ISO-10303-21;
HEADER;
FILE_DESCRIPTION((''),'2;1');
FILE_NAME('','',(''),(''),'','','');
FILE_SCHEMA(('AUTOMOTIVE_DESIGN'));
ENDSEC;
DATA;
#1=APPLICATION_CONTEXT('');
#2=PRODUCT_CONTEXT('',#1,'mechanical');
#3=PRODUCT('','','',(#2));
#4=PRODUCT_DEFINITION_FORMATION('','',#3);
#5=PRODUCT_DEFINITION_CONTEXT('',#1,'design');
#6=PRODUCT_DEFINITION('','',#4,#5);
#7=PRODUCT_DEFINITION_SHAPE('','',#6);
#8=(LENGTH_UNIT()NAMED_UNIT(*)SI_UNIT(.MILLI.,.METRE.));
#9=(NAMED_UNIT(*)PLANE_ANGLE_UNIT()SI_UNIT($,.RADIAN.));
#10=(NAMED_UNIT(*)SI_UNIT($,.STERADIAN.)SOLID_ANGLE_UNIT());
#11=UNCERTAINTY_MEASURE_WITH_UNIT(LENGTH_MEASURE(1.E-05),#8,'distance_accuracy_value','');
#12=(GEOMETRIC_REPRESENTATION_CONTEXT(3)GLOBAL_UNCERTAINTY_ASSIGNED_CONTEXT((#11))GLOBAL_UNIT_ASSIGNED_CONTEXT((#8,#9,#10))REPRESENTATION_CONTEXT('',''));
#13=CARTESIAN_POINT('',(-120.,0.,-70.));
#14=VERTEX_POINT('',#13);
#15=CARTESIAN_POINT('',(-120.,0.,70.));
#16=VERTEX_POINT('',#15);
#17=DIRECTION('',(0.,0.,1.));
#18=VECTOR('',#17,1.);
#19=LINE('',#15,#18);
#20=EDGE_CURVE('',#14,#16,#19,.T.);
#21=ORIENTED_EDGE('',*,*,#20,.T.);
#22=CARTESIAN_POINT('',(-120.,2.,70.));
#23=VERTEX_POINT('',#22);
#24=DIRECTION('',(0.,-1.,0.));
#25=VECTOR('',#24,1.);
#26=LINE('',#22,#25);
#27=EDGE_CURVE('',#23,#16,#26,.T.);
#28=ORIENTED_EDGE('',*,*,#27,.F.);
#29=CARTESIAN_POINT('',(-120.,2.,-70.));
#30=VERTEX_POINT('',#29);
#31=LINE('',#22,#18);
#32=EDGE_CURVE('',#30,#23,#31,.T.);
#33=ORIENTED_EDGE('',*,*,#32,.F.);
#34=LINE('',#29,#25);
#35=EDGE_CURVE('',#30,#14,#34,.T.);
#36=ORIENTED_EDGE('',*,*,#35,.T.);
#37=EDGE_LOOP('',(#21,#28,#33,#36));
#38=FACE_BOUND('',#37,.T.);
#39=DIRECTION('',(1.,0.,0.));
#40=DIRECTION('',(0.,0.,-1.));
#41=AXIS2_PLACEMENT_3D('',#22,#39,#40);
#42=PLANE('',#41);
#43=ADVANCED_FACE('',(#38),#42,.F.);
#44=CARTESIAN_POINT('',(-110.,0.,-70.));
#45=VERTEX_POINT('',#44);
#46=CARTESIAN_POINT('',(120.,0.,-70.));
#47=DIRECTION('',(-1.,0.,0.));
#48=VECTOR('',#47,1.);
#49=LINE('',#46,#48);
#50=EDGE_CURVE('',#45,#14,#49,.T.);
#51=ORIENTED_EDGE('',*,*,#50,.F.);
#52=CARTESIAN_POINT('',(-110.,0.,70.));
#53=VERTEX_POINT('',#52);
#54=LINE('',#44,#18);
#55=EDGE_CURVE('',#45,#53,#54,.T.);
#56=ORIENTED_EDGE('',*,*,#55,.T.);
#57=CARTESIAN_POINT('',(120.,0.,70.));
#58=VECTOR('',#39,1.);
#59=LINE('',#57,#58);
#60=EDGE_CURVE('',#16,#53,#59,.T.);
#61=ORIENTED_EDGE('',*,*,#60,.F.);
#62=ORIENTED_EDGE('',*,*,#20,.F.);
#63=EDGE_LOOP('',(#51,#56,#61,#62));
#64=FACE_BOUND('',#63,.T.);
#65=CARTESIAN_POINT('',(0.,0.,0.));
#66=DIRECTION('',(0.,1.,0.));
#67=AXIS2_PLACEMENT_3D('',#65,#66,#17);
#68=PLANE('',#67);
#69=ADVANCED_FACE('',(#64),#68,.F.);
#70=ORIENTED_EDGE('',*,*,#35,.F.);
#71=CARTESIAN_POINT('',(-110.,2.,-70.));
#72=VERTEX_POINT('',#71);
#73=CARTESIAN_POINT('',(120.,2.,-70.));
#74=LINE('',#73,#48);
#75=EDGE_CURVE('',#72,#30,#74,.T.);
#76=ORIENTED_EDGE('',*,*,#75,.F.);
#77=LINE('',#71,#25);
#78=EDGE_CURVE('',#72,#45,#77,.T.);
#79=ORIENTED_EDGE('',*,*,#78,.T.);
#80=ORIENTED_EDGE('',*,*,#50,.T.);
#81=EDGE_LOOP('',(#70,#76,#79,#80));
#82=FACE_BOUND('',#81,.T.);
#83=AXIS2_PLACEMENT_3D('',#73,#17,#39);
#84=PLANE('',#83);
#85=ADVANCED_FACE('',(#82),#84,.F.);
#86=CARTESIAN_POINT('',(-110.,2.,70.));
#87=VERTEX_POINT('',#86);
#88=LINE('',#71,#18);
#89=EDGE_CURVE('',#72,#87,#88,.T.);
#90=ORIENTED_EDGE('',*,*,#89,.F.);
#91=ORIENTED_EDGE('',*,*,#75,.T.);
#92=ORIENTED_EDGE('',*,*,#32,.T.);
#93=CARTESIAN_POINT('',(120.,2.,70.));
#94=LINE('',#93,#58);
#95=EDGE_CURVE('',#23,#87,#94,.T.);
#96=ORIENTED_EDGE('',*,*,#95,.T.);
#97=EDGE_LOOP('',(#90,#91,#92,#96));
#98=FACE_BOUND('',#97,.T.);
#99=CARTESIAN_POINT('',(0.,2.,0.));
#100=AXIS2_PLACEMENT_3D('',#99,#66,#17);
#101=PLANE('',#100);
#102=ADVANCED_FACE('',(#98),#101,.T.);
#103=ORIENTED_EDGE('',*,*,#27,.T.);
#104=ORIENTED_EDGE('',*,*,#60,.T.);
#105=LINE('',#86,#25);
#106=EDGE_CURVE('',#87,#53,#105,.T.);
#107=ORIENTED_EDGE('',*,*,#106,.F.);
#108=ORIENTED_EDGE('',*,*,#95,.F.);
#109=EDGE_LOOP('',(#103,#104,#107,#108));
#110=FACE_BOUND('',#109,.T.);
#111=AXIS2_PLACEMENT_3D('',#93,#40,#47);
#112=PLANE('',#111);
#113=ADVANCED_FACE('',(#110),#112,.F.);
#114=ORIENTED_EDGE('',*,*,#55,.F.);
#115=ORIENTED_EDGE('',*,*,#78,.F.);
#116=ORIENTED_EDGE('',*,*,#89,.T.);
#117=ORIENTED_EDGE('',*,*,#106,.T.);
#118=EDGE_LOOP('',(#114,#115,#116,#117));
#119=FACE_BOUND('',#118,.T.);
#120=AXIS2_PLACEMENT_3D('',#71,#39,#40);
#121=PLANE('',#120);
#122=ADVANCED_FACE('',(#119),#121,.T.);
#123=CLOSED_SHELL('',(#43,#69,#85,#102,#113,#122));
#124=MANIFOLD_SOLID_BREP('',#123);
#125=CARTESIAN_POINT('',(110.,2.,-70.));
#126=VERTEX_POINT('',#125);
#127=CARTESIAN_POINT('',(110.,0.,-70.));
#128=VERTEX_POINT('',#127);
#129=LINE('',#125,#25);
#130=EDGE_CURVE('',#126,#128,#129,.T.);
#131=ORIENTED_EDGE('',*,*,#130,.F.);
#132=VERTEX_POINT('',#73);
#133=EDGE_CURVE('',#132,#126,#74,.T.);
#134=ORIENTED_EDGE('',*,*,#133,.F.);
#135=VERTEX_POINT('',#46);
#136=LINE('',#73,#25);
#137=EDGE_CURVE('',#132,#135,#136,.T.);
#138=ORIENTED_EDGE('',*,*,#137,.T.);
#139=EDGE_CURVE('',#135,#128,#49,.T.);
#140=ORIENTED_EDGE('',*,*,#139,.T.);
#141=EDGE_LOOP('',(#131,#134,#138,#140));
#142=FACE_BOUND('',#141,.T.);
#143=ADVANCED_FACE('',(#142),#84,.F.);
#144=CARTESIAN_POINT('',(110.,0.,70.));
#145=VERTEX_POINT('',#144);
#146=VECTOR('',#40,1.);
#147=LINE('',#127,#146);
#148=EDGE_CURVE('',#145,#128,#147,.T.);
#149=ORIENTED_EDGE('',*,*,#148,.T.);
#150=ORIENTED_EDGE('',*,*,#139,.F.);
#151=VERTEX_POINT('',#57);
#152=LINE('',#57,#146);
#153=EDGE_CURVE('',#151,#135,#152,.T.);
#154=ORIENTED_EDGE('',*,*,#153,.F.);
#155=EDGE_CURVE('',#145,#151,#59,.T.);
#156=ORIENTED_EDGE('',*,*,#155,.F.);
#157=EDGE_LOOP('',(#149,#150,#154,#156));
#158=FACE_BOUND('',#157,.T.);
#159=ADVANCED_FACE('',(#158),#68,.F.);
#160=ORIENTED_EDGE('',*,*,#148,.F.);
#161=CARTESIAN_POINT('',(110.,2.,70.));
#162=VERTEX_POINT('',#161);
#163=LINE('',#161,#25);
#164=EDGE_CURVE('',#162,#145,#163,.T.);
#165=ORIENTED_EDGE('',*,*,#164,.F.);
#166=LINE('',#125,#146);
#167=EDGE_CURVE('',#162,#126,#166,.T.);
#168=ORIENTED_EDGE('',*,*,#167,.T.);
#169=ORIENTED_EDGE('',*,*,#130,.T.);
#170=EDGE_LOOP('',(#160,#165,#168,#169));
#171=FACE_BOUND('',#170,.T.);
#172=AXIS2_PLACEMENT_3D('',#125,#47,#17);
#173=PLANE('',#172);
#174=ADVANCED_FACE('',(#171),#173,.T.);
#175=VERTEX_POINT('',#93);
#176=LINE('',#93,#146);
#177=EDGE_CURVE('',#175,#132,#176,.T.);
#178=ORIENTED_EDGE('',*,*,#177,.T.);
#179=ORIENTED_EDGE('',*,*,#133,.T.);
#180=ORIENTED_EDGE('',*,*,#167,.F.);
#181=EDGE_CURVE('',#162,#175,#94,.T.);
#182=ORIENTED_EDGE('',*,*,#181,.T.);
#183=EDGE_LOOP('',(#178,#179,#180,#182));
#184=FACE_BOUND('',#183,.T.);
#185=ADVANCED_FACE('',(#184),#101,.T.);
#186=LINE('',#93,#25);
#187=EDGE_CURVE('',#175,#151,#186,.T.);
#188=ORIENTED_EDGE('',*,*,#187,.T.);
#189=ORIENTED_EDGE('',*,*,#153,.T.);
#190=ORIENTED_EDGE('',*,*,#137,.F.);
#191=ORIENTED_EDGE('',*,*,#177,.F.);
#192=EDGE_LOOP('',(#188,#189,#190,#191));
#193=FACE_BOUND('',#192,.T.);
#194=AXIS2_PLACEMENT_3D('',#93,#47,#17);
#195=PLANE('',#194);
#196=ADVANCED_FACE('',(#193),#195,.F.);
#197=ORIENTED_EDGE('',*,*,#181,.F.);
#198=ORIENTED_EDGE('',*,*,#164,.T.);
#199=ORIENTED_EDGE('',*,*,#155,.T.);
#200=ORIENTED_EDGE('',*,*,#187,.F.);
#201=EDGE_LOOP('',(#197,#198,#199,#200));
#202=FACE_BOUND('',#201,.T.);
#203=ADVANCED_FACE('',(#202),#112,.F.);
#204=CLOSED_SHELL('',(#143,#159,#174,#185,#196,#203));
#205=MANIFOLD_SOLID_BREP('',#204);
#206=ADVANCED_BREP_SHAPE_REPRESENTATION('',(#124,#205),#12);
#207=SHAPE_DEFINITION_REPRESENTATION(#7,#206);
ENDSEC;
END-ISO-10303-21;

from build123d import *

# Parameters (mm, degrees)
SKETCH1_W           = 240
SKETCH1_H           = 140
BOSS_EXTRUDE1_DEPTH = 2
SKETCH2_W           = 220
SKETCH2_H           = 140
CUT_EXTRUDE1_DEPTH  = 2


with BuildPart() as part:
    # Sketch1 → Boss-Extrude1 (new body)
    with BuildSketch(Plane(origin=(0, 0, 0), x_dir=(1, 0, 0), z_dir=(0, 1, 0))):
        Rectangle(SKETCH1_W, SKETCH1_H)
    extrude(amount=BOSS_EXTRUDE1_DEPTH)

    # Sketch2 → Cut-Extrude1 (cut)
    with BuildSketch(Plane(origin=(0, 0, 0), x_dir=(1, 0, 0), z_dir=(0, 1, 0))):
        Rectangle(SKETCH2_W, SKETCH2_H)
    extrude(amount=CUT_EXTRUDE1_DEPTH, mode=Mode.SUBTRACT)


with BuildPart() as cut_extrude1_piece_1:
    # of the separate pieces the step leaves, piece 1, a body of its own (cut_extrude1_pieces)
    add(part.part.solids().sort_by_distance((-110, 0, 70))[0])


with BuildPart() as cut_extrude1_piece_2:
    # of the separate pieces the step leaves, piece 2, a body of its own (cut_extrude1_pieces)
    add(part.part.solids().sort_by_distance((120, 0, 70))[0])


solid = Compound([cut_extrude1_piece_1.part, cut_extrude1_piece_2.part])
